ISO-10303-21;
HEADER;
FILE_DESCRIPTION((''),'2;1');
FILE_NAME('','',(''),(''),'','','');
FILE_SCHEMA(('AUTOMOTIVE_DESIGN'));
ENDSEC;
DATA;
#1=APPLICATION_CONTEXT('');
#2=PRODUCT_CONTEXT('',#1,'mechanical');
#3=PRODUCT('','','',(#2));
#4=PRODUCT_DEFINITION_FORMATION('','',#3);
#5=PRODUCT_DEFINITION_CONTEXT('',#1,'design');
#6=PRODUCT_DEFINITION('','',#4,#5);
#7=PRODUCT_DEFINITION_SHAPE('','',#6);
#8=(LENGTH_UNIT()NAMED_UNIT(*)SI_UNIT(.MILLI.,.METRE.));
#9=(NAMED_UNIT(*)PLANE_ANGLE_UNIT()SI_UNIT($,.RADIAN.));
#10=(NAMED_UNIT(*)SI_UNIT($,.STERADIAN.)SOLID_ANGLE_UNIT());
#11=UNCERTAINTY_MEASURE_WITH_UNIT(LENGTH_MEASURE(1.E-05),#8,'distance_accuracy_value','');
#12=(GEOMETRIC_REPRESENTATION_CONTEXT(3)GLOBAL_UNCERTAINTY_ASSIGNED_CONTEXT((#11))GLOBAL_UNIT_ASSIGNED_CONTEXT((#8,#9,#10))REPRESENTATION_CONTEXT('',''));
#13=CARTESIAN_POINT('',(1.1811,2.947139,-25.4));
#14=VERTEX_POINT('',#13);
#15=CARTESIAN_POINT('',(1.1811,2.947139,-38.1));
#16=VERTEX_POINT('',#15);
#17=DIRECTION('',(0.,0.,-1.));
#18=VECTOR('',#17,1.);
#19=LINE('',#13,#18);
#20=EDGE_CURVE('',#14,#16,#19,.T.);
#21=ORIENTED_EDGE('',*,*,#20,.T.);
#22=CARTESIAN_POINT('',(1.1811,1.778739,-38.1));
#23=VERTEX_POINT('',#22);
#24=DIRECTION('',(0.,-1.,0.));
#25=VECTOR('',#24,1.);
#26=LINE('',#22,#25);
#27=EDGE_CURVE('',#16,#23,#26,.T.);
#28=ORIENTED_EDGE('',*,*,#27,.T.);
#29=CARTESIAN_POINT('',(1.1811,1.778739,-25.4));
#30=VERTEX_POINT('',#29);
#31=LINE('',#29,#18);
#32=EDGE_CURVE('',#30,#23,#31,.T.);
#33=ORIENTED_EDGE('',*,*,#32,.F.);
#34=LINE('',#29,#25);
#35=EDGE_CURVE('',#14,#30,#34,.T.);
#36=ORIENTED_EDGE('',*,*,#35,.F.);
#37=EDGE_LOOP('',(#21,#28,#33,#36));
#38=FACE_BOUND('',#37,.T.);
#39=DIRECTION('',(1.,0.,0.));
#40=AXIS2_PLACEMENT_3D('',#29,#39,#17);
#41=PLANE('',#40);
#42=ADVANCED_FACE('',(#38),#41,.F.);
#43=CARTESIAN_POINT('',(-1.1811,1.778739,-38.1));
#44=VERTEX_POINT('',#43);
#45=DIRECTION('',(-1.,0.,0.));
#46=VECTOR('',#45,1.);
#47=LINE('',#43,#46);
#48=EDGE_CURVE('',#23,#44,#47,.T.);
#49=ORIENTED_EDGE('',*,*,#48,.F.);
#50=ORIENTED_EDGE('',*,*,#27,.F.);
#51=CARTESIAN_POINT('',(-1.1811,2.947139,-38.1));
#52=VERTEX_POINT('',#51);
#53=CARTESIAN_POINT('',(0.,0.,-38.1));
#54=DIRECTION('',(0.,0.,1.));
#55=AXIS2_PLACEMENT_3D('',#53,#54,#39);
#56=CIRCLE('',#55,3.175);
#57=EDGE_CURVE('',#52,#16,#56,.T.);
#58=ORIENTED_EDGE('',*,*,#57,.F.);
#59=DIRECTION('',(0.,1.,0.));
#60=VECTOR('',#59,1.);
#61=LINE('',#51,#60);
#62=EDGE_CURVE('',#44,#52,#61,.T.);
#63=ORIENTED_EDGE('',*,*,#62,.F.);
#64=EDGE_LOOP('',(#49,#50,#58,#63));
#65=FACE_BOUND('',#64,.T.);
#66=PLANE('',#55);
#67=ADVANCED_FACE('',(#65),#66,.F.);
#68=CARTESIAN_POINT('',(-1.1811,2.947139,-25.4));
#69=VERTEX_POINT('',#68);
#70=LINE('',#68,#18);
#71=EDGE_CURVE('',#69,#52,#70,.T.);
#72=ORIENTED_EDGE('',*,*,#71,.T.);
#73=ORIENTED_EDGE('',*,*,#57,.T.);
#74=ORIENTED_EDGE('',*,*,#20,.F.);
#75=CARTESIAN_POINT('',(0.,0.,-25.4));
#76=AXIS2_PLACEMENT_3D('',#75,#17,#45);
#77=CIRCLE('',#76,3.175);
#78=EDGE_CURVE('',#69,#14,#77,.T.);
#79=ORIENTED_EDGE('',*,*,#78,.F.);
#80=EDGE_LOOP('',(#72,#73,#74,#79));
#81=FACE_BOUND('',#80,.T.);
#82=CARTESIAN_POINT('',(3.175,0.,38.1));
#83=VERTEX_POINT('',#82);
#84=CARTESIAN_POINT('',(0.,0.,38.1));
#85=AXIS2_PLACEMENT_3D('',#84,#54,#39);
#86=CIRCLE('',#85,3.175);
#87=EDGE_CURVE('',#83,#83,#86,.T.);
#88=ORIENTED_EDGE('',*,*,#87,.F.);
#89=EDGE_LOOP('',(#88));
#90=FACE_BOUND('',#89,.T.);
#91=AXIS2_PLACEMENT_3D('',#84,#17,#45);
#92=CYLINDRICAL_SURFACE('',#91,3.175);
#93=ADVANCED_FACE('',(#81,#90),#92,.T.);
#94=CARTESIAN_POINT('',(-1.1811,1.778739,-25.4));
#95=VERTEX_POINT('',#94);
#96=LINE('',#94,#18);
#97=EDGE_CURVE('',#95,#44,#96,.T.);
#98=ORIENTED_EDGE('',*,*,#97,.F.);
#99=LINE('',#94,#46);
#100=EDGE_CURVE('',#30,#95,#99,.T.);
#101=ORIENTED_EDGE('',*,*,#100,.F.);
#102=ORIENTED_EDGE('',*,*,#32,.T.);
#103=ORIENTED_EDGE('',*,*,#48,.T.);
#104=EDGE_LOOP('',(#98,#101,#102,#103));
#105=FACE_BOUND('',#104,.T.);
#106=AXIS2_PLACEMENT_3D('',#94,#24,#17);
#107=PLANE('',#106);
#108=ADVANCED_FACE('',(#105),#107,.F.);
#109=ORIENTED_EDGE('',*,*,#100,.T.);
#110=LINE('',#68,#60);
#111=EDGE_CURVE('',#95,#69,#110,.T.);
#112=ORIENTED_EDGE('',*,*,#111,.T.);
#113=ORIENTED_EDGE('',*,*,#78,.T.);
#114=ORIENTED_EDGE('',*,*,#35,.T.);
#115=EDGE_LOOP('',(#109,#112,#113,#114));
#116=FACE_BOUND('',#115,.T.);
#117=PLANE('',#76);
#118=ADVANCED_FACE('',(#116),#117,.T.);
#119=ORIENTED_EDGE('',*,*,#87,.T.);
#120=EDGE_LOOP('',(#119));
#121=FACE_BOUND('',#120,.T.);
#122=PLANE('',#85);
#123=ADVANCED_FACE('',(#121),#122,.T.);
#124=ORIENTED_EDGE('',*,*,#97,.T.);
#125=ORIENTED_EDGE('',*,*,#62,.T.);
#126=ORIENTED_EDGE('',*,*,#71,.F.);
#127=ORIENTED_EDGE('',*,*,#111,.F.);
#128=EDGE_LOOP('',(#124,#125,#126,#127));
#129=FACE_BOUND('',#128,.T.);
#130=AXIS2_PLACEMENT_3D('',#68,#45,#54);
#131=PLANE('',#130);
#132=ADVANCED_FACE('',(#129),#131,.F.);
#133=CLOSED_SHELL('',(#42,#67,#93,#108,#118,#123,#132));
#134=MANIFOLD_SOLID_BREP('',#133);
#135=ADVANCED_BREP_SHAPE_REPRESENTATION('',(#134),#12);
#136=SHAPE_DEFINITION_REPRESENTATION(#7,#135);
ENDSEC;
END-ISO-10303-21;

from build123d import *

# Parameters (mm, degrees)
BOSS_EXTRUDE1_DEPTH      = 38.1
BOSS_EXTRUDE1_DEPTH_BACK = 38.1
SKETCH2_R                = 3.175
CUT_EXTRUDE1_DEPTH       = 12.7


with BuildPart() as part:
    # Sketch2 → Boss-Extrude1 (new, two sides: drawn at the far end of the back side and taken through both)
    with BuildSketch(Plane.XY.offset(-BOSS_EXTRUDE1_DEPTH_BACK)):
        with Locations(Location((0, 0, 0), (0, 0, 180))):
            Circle(SKETCH2_R)
    extrude(amount=BOSS_EXTRUDE1_DEPTH + BOSS_EXTRUDE1_DEPTH_BACK)

    # Sketch3 → Cut-Extrude1 (cut)
    with BuildSketch(Plane(origin=(0, 0, -38.1), x_dir=(-1, 0, 0), z_dir=(0, 0, -1))):
        with BuildLine():
            Line((1.1811, 2.947138916), (1.1811, 1.778738916))
            Line((1.1811, 1.778738916), (-1.1811, 1.778738916))
            Line((-1.1811, 1.778738916), (-1.1811, 2.947138916))
            ThreePointArc((-1.1811, 2.947138916), (0, 3.175), (1.1811, 2.947138916))
        make_face()
    extrude(amount=-CUT_EXTRUDE1_DEPTH, mode=Mode.SUBTRACT)


solid = part.part
